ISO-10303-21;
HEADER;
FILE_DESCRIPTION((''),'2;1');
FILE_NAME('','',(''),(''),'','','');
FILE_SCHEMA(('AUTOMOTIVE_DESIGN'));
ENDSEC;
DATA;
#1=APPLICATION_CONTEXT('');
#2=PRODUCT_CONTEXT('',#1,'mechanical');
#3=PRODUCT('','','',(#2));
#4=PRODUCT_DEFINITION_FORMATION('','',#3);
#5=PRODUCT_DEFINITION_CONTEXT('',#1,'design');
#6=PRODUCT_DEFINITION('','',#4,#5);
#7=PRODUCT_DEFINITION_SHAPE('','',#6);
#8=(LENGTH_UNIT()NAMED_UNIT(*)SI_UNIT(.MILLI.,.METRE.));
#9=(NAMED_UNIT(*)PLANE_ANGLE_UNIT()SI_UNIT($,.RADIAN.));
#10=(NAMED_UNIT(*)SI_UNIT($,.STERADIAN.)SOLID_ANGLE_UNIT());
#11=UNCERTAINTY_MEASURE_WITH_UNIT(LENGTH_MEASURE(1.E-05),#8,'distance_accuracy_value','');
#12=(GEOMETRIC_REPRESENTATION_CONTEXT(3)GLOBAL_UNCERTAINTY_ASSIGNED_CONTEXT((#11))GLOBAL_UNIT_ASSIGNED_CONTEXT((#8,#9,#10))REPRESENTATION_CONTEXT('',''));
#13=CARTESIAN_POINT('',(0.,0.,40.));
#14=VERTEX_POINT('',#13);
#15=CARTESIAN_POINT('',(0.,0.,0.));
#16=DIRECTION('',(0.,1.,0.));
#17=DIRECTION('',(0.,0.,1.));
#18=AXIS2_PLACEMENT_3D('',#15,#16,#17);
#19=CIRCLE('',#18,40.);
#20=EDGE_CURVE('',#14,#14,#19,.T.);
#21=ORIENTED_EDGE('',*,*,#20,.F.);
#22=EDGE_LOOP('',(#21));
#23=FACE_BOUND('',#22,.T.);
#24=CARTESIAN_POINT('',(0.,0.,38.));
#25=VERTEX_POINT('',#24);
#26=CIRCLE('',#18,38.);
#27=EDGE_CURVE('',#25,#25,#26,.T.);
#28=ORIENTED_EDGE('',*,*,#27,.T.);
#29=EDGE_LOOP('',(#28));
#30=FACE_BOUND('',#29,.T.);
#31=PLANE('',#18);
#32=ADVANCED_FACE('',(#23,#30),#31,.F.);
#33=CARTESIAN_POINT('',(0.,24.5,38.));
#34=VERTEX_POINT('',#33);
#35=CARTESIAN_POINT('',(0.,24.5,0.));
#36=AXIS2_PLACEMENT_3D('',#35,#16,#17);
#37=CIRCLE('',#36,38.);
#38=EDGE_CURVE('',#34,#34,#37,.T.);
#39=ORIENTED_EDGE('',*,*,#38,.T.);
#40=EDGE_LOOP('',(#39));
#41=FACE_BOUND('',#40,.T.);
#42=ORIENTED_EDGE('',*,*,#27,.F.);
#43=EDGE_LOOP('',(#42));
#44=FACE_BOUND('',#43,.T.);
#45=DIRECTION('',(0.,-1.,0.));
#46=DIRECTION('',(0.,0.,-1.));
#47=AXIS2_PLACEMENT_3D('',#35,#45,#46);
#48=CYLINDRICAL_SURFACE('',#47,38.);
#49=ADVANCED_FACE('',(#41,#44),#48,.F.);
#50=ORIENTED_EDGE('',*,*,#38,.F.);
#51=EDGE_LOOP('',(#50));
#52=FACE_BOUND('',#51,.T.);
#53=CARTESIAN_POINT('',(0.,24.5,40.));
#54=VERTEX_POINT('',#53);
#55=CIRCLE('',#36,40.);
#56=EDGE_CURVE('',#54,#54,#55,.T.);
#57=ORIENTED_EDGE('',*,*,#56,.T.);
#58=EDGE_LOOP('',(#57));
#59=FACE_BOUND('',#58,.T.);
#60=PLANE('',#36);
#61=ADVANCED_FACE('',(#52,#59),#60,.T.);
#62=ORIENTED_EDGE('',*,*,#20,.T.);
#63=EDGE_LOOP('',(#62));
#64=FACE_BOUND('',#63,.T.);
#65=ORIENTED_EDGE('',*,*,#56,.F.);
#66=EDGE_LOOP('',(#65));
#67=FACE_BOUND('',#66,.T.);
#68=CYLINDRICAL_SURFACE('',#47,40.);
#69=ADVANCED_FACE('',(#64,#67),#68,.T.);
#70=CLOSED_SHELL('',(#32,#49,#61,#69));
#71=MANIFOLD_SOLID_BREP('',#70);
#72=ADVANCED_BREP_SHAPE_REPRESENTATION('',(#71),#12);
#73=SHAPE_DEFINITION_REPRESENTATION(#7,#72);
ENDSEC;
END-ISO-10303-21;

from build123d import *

# Parameters (mm, degrees)
SKETCH_1_R      = 40
SKETCH_1_R_2    = 38
EXTRUDE_1_DEPTH = 24.5


with BuildPart() as part:
    # 草图1 → 凸台-拉伸1 (new body)
    with BuildSketch(Plane(origin=(0, 0, 0), x_dir=(1, 0, 0), z_dir=(0, 1, 0))):
        Circle(SKETCH_1_R)
        Circle(SKETCH_1_R_2, mode=Mode.SUBTRACT)
    extrude(amount=EXTRUDE_1_DEPTH)


solid = part.part
